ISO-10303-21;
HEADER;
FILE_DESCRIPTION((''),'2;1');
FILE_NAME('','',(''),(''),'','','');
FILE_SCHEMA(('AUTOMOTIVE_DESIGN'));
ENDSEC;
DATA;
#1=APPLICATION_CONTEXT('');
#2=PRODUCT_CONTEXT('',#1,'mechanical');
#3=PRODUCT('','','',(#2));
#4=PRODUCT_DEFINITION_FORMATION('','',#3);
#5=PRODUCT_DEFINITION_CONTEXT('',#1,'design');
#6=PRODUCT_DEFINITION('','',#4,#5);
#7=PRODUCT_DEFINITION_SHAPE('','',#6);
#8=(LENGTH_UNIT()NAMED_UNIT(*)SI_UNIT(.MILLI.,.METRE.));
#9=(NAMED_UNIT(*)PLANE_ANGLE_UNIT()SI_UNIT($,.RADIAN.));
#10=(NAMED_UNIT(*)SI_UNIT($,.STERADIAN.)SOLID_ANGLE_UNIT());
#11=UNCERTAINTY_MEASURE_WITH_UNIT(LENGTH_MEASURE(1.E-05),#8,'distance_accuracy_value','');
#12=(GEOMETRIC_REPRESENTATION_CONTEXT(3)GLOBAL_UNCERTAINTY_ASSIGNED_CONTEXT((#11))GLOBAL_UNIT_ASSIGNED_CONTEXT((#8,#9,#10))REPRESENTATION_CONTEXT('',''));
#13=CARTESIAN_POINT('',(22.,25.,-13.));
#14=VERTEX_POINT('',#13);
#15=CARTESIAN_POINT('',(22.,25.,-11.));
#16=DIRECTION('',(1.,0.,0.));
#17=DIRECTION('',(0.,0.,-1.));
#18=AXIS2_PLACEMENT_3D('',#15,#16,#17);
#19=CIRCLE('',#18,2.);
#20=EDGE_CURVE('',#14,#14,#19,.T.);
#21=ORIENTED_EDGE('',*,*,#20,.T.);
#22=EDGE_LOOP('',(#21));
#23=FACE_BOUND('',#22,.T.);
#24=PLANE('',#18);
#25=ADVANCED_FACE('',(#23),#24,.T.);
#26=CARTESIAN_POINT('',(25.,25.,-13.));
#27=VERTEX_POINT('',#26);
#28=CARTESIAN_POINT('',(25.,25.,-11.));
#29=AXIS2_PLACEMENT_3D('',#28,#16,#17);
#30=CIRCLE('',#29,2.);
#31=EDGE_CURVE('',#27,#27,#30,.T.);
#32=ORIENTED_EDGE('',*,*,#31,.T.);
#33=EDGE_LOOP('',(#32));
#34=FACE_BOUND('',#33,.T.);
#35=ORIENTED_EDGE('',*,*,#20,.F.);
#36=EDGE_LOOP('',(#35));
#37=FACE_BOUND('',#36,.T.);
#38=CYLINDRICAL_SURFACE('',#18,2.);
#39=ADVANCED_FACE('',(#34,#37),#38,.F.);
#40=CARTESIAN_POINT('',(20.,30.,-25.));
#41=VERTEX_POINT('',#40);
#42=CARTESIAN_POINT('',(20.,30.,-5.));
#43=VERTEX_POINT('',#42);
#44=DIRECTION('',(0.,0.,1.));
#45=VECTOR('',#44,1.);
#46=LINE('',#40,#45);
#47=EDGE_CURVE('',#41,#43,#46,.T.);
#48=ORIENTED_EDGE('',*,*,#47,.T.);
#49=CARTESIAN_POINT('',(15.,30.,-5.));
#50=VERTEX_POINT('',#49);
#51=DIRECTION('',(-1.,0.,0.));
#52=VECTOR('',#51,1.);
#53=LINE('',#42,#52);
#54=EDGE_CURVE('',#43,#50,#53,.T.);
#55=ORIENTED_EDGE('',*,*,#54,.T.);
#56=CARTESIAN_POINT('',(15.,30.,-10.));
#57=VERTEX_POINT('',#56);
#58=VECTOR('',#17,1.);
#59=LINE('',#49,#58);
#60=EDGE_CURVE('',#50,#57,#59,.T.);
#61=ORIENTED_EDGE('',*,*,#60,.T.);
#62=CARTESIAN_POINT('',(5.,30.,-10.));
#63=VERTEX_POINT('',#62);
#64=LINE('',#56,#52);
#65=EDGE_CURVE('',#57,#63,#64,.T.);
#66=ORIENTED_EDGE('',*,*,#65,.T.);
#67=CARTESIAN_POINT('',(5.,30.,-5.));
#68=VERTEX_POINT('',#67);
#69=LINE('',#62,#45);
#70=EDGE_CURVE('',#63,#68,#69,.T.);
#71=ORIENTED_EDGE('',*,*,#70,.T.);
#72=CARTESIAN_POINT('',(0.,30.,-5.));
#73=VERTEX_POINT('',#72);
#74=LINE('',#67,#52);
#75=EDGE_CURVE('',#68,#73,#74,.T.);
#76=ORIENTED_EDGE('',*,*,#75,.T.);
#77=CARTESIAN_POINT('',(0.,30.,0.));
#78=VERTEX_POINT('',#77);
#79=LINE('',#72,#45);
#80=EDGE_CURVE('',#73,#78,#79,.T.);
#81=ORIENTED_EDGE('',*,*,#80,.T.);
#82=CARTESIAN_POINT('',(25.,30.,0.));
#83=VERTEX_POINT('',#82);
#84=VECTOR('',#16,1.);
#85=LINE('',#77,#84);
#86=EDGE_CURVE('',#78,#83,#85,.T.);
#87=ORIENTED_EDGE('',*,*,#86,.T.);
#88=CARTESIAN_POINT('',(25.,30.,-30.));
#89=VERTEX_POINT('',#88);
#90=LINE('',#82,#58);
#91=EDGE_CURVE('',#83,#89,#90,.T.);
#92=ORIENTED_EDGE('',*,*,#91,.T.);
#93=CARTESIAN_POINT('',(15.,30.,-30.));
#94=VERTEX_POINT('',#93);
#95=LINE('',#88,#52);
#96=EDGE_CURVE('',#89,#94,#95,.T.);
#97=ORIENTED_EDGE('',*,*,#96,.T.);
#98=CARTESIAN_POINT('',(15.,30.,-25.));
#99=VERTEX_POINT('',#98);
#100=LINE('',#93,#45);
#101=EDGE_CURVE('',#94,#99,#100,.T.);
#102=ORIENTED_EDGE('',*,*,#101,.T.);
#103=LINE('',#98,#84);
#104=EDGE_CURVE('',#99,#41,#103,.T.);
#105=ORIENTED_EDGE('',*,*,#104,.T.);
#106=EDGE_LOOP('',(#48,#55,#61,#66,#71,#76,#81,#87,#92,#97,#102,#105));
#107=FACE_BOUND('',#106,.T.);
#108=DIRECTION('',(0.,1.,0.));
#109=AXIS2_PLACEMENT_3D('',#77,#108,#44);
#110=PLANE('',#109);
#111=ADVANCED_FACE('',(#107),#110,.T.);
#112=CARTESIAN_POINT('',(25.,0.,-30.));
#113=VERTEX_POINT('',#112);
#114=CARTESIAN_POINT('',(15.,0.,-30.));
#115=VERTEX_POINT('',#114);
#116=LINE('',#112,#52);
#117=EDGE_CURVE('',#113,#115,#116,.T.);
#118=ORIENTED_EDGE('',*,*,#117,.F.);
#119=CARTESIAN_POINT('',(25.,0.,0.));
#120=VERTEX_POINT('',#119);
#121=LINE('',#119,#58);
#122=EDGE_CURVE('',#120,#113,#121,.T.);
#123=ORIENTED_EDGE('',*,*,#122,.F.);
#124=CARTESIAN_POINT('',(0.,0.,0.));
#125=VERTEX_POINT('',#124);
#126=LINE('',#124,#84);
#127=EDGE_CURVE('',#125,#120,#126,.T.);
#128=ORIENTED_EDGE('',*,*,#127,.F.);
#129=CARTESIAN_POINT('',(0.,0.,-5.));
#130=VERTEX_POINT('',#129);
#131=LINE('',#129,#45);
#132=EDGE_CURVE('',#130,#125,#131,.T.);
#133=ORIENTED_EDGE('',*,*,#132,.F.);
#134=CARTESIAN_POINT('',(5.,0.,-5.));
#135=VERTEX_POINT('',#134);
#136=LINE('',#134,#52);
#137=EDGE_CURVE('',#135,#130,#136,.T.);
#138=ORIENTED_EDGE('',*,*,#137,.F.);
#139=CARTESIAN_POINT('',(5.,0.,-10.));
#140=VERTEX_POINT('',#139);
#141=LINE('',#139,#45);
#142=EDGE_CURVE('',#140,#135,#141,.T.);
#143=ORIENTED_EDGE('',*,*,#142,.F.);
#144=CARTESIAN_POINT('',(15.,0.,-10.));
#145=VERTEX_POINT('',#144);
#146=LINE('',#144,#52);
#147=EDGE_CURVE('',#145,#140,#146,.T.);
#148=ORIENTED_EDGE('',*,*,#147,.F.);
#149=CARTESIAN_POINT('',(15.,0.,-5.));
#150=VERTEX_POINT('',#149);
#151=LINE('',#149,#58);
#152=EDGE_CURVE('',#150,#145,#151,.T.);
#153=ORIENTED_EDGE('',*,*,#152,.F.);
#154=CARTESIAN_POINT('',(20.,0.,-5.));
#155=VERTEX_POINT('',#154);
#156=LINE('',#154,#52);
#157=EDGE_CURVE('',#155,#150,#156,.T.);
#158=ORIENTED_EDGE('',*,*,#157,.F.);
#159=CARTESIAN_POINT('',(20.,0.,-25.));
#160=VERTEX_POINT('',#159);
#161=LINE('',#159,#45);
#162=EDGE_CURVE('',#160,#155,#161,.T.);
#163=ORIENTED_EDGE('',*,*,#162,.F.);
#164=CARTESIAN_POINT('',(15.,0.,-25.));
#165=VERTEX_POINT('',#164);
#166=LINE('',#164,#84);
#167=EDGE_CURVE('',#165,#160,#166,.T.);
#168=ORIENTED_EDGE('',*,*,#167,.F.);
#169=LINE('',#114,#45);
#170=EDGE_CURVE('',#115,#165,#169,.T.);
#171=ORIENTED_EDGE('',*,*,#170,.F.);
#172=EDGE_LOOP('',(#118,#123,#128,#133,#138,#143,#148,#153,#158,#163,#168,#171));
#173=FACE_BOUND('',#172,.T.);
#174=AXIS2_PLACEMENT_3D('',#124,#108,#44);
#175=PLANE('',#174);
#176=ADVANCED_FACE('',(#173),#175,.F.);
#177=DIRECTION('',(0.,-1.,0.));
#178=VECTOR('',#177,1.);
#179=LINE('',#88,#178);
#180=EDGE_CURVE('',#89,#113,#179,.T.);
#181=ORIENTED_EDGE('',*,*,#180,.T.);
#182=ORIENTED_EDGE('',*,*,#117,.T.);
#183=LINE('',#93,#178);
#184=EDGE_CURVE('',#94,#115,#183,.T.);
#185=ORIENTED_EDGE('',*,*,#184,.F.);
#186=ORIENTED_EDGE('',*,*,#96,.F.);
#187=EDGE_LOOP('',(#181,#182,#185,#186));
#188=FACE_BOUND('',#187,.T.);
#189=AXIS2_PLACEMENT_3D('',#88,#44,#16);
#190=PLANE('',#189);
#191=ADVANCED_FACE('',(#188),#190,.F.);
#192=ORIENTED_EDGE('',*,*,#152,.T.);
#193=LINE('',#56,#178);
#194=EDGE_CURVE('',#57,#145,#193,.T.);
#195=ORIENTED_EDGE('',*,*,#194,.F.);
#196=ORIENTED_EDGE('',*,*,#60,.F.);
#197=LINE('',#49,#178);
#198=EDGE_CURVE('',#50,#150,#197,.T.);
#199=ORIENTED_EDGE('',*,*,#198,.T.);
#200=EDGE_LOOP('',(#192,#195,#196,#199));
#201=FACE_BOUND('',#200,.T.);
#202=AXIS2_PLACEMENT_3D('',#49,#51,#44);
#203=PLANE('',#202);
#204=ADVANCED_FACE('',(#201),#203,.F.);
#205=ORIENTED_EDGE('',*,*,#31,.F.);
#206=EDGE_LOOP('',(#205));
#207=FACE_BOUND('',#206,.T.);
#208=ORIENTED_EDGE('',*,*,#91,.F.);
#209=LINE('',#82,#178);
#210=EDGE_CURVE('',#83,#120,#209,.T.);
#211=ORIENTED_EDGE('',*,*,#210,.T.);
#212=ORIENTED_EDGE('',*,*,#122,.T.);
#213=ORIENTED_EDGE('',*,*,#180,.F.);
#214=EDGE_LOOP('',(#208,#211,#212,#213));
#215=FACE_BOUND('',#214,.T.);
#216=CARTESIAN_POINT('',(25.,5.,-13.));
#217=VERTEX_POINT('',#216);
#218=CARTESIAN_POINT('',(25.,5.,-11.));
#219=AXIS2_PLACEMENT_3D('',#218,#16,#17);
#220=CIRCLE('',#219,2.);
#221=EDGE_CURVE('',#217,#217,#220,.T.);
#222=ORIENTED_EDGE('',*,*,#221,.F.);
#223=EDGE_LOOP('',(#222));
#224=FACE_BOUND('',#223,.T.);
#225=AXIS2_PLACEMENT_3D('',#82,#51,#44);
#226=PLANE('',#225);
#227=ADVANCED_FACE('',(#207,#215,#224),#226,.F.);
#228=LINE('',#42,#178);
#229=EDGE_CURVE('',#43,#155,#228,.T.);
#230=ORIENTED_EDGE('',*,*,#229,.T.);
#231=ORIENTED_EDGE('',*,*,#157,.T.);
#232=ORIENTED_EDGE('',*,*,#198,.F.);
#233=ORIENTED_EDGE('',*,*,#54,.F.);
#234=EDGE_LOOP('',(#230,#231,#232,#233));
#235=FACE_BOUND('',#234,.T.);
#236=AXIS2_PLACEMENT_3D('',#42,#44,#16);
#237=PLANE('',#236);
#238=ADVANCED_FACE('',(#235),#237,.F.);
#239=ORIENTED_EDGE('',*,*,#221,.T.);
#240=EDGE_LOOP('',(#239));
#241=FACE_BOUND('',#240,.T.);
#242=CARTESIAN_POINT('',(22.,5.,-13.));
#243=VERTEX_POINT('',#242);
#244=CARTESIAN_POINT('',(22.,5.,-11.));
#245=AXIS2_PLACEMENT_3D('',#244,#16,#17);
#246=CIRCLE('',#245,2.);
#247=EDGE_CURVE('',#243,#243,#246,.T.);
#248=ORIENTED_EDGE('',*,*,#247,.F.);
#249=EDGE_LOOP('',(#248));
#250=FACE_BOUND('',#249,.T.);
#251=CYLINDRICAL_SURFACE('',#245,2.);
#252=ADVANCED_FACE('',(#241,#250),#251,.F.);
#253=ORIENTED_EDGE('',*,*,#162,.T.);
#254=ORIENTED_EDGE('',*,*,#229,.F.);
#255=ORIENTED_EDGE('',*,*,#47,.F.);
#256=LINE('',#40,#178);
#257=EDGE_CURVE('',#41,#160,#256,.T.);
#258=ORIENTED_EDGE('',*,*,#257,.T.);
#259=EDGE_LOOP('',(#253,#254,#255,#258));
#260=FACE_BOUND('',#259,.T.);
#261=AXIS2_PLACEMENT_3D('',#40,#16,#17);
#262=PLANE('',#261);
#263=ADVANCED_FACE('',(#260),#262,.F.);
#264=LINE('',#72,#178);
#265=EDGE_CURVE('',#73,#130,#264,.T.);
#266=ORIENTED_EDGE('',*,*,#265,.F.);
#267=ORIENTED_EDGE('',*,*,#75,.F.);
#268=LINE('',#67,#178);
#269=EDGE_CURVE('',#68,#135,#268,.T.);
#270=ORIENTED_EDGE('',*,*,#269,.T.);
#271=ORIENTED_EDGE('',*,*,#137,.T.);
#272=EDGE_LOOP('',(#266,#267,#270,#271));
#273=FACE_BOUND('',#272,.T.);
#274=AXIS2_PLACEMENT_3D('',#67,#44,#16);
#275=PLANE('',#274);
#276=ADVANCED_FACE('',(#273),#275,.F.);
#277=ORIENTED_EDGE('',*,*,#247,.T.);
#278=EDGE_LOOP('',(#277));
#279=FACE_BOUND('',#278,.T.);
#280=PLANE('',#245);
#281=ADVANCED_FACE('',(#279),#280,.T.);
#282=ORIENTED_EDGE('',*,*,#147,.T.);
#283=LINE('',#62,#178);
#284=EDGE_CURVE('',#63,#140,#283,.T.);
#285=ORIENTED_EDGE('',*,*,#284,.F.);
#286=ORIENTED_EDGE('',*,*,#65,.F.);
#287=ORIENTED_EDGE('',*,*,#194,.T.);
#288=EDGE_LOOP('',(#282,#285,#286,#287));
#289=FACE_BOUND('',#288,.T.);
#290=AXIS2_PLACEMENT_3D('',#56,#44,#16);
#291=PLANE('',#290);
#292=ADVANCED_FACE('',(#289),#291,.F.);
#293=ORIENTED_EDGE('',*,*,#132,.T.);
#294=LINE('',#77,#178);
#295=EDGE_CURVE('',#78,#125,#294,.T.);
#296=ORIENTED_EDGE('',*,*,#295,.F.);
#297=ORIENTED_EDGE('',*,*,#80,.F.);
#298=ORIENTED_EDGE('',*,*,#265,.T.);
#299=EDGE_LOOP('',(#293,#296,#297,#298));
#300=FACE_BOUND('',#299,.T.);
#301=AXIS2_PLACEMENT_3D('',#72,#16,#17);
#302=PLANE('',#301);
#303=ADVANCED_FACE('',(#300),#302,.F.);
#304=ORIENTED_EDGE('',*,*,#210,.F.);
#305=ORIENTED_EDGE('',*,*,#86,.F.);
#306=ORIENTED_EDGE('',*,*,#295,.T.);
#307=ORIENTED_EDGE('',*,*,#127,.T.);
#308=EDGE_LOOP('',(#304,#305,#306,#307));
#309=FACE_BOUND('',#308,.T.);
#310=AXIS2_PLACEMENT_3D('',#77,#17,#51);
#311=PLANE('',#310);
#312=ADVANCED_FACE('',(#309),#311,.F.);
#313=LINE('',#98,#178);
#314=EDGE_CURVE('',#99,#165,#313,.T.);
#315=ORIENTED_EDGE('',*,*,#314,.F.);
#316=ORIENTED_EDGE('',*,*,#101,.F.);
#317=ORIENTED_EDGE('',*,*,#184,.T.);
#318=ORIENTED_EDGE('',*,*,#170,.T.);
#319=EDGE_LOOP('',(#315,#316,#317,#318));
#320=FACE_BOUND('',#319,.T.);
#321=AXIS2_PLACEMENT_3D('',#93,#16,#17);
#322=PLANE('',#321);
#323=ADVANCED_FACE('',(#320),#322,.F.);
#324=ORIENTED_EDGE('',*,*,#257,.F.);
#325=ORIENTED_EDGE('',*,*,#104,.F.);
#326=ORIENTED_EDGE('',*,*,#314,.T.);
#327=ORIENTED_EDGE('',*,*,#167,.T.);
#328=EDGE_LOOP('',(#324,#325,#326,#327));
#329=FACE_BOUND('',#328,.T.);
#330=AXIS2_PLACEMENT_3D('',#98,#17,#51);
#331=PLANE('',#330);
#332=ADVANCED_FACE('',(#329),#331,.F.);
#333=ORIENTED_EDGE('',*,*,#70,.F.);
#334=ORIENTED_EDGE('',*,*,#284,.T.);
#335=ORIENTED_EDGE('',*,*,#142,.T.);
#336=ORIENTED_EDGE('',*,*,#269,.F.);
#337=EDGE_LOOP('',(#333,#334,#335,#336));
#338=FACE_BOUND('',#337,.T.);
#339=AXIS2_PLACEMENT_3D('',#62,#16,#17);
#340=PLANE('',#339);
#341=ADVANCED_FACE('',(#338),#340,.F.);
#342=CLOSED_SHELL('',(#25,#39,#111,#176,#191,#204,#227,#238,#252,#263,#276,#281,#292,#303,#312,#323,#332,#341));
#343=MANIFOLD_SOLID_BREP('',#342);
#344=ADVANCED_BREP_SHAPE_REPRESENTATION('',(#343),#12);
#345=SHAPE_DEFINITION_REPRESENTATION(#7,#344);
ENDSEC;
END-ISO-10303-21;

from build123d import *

# Parameters (mm, degrees)
BOSS_EXTRUDE1_DEPTH = 30
SKETCH2_R           = 2
CUT_EXTRUDE1_DEPTH  = 3


with BuildPart() as part:
    # Sketch1 → Boss-Extrude1 (new body)
    with BuildSketch(Plane(origin=(0, 0, 0), x_dir=(1, 0, 0), z_dir=(0, 1, 0))):
        Polygon((0, 5), (0, 0), (25, 0), (25, 30), (15, 30), (15, 25), (20, 25), (20, 5), (15, 5), (15, 10), (5, 10), (5, 5), align=None)
    extrude(amount=BOSS_EXTRUDE1_DEPTH)

    # Sketch2 → Cut-Extrude1 (cut)
    with BuildSketch(Plane(origin=(25, 0, 0), x_dir=(0, 0, -1), z_dir=(1, 0, 0))):
        with Locations((11, 25)):
            Circle(SKETCH2_R)
        with Locations((11, 5)):
            Circle(SKETCH2_R)
    extrude(amount=-CUT_EXTRUDE1_DEPTH, mode=Mode.SUBTRACT)


solid = part.part
